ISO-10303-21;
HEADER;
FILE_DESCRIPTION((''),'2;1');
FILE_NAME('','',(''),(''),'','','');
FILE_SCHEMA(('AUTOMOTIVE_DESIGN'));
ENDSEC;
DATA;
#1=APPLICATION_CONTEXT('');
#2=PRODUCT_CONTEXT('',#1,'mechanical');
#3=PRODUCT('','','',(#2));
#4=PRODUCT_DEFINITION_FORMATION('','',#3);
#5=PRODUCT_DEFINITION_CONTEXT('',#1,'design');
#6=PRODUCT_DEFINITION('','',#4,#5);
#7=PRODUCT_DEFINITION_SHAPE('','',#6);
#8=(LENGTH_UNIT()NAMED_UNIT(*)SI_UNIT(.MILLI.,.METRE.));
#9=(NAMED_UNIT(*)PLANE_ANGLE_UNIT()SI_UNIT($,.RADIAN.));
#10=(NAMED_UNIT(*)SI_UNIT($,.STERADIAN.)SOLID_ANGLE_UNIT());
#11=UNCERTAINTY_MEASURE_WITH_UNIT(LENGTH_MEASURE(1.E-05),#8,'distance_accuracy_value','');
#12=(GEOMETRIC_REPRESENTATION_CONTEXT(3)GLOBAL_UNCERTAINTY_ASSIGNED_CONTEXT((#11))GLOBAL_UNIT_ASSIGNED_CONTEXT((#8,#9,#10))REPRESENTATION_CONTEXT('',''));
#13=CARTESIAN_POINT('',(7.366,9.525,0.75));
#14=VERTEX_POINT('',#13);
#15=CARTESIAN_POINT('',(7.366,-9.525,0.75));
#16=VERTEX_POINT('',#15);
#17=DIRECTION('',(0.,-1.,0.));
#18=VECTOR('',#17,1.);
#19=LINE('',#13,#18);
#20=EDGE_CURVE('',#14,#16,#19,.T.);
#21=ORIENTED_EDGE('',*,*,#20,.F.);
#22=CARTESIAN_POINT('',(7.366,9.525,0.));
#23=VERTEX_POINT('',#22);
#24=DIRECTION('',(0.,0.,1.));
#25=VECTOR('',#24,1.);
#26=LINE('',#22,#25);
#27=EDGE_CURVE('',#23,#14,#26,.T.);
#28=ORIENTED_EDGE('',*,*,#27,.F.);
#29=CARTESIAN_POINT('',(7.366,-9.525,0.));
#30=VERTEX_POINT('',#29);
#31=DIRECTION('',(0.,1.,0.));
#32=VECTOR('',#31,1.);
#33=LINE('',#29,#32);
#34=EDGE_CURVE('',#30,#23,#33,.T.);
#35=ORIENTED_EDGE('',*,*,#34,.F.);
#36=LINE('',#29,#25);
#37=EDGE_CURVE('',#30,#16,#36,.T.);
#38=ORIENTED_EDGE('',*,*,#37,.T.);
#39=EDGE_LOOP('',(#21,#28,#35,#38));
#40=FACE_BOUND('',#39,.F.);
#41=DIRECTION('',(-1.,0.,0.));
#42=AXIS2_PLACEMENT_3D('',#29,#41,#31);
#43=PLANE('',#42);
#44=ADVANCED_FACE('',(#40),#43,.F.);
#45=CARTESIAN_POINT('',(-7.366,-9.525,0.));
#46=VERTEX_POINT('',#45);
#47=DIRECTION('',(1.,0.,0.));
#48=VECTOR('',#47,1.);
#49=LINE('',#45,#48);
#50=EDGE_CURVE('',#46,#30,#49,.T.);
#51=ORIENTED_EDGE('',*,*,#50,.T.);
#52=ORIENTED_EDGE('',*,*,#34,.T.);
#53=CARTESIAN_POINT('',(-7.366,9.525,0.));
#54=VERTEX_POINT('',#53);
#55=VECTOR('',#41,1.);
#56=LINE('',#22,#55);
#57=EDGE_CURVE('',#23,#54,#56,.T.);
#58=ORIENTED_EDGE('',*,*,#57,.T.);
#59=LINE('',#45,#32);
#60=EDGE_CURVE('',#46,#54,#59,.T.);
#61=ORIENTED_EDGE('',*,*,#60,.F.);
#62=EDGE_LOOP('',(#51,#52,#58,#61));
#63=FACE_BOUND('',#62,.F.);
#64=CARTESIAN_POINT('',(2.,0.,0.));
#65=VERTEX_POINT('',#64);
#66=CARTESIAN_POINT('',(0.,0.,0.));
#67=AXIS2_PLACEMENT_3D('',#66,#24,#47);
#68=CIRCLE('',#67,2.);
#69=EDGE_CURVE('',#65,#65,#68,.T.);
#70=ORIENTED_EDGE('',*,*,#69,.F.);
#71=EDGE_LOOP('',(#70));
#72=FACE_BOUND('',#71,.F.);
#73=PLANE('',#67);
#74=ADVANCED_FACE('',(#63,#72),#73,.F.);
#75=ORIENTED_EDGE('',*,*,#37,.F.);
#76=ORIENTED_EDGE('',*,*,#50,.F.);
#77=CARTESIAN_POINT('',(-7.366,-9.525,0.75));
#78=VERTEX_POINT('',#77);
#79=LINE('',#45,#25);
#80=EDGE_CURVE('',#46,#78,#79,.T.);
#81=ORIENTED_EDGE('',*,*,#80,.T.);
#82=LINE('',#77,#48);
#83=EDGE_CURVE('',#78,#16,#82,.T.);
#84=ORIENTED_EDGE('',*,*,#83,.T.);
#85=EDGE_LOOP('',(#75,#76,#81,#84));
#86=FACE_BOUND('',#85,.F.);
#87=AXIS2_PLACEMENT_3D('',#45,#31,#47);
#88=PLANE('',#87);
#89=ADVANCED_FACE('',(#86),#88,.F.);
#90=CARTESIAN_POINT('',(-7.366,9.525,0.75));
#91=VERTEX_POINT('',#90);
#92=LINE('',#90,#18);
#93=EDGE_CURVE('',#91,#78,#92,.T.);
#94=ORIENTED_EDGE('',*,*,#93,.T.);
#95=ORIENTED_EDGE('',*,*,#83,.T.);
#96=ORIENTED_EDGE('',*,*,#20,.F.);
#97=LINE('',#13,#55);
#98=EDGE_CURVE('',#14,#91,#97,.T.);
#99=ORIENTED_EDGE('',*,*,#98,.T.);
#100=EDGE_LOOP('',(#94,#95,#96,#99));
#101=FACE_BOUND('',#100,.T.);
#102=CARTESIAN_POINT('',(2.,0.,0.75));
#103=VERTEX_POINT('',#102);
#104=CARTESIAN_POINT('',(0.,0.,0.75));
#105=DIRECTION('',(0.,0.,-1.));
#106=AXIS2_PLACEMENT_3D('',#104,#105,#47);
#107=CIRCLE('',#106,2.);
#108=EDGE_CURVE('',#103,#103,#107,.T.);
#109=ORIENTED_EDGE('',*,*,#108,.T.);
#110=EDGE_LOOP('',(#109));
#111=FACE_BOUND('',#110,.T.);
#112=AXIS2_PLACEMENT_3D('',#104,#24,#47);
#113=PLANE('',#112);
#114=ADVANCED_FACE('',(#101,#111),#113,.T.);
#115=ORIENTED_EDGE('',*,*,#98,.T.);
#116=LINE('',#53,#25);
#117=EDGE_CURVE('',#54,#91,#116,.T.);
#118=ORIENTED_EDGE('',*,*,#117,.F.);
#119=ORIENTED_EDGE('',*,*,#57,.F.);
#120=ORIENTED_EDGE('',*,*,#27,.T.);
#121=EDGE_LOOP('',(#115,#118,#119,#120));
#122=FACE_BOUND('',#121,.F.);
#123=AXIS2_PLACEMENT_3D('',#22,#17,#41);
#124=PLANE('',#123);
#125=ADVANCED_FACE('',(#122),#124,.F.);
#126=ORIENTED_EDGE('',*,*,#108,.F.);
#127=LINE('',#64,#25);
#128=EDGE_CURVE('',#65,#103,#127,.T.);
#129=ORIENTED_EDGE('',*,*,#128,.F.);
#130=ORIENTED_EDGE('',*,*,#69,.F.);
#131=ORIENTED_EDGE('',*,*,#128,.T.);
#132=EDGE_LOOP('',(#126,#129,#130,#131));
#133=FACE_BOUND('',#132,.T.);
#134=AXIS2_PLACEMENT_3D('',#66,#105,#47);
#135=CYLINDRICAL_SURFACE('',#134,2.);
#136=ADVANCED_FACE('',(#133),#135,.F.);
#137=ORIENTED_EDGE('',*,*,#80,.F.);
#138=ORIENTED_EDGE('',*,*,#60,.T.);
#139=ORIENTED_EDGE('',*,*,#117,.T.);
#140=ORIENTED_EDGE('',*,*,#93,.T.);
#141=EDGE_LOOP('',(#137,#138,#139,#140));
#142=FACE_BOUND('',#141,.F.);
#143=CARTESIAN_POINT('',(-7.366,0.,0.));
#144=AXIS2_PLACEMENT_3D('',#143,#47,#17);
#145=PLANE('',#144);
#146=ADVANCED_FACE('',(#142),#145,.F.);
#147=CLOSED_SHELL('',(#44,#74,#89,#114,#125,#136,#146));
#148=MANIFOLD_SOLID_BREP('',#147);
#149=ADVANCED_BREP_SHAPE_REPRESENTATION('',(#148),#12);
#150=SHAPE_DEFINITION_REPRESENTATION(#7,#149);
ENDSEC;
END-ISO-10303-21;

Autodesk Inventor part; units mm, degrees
ref_plane "YZ Plane" through (0, 0, 0) normal (1, 0, 0) x (0, 1, 0)
ref_plane "XZ Plane" through (0, 0, 0) normal (0, 1, 0) x (-1, 0, 0)
ref_plane "XY Plane" through (0, 0, 0) normal (0, 0, 1) x (1, 0, 0)
sketch "Sketch1" plane through (0, 0, 0) normal (0, 0, 1) x (1, 0, 0)
  circle A0 centre (0, 0) radius 2
  line L0 (0, 0) -> (7.366, 0)
  line L1 (0, 0) -> (-7.366, 0)
  line L2 (7.366, 0) -> (7.366, 9.525)
  line L3 (-7.366, 0) -> (-7.366, -9.525)
  line L4 (-7.366, -9.525) -> (7.366, -9.525)
  line L5 (7.366, -9.525) -> (7.366, 9.525)
  line L6 (7.366, 9.525) -> (-7.366, 9.525)
  line L7 (-7.366, 9.525) -> (-7.366, -9.525)
  point P0 (7.366, 0)
  dimension "d0" = 4
  dimension "d1" = 7.366
  dimension "d2" = 7.366
  dimension "d3" = 9.525
  dimension "d4" = 9.525
extrude "Extrusion1" add sketch "Sketch1" along normal blind 0.75 contours L0 L5 L4 L3 L1 A0 | A0 L1 L7 L6 L2 L0
equation "\"d2\" = d1"
equation "\"d4\" = d3"
properties part number "MotorProtector"
